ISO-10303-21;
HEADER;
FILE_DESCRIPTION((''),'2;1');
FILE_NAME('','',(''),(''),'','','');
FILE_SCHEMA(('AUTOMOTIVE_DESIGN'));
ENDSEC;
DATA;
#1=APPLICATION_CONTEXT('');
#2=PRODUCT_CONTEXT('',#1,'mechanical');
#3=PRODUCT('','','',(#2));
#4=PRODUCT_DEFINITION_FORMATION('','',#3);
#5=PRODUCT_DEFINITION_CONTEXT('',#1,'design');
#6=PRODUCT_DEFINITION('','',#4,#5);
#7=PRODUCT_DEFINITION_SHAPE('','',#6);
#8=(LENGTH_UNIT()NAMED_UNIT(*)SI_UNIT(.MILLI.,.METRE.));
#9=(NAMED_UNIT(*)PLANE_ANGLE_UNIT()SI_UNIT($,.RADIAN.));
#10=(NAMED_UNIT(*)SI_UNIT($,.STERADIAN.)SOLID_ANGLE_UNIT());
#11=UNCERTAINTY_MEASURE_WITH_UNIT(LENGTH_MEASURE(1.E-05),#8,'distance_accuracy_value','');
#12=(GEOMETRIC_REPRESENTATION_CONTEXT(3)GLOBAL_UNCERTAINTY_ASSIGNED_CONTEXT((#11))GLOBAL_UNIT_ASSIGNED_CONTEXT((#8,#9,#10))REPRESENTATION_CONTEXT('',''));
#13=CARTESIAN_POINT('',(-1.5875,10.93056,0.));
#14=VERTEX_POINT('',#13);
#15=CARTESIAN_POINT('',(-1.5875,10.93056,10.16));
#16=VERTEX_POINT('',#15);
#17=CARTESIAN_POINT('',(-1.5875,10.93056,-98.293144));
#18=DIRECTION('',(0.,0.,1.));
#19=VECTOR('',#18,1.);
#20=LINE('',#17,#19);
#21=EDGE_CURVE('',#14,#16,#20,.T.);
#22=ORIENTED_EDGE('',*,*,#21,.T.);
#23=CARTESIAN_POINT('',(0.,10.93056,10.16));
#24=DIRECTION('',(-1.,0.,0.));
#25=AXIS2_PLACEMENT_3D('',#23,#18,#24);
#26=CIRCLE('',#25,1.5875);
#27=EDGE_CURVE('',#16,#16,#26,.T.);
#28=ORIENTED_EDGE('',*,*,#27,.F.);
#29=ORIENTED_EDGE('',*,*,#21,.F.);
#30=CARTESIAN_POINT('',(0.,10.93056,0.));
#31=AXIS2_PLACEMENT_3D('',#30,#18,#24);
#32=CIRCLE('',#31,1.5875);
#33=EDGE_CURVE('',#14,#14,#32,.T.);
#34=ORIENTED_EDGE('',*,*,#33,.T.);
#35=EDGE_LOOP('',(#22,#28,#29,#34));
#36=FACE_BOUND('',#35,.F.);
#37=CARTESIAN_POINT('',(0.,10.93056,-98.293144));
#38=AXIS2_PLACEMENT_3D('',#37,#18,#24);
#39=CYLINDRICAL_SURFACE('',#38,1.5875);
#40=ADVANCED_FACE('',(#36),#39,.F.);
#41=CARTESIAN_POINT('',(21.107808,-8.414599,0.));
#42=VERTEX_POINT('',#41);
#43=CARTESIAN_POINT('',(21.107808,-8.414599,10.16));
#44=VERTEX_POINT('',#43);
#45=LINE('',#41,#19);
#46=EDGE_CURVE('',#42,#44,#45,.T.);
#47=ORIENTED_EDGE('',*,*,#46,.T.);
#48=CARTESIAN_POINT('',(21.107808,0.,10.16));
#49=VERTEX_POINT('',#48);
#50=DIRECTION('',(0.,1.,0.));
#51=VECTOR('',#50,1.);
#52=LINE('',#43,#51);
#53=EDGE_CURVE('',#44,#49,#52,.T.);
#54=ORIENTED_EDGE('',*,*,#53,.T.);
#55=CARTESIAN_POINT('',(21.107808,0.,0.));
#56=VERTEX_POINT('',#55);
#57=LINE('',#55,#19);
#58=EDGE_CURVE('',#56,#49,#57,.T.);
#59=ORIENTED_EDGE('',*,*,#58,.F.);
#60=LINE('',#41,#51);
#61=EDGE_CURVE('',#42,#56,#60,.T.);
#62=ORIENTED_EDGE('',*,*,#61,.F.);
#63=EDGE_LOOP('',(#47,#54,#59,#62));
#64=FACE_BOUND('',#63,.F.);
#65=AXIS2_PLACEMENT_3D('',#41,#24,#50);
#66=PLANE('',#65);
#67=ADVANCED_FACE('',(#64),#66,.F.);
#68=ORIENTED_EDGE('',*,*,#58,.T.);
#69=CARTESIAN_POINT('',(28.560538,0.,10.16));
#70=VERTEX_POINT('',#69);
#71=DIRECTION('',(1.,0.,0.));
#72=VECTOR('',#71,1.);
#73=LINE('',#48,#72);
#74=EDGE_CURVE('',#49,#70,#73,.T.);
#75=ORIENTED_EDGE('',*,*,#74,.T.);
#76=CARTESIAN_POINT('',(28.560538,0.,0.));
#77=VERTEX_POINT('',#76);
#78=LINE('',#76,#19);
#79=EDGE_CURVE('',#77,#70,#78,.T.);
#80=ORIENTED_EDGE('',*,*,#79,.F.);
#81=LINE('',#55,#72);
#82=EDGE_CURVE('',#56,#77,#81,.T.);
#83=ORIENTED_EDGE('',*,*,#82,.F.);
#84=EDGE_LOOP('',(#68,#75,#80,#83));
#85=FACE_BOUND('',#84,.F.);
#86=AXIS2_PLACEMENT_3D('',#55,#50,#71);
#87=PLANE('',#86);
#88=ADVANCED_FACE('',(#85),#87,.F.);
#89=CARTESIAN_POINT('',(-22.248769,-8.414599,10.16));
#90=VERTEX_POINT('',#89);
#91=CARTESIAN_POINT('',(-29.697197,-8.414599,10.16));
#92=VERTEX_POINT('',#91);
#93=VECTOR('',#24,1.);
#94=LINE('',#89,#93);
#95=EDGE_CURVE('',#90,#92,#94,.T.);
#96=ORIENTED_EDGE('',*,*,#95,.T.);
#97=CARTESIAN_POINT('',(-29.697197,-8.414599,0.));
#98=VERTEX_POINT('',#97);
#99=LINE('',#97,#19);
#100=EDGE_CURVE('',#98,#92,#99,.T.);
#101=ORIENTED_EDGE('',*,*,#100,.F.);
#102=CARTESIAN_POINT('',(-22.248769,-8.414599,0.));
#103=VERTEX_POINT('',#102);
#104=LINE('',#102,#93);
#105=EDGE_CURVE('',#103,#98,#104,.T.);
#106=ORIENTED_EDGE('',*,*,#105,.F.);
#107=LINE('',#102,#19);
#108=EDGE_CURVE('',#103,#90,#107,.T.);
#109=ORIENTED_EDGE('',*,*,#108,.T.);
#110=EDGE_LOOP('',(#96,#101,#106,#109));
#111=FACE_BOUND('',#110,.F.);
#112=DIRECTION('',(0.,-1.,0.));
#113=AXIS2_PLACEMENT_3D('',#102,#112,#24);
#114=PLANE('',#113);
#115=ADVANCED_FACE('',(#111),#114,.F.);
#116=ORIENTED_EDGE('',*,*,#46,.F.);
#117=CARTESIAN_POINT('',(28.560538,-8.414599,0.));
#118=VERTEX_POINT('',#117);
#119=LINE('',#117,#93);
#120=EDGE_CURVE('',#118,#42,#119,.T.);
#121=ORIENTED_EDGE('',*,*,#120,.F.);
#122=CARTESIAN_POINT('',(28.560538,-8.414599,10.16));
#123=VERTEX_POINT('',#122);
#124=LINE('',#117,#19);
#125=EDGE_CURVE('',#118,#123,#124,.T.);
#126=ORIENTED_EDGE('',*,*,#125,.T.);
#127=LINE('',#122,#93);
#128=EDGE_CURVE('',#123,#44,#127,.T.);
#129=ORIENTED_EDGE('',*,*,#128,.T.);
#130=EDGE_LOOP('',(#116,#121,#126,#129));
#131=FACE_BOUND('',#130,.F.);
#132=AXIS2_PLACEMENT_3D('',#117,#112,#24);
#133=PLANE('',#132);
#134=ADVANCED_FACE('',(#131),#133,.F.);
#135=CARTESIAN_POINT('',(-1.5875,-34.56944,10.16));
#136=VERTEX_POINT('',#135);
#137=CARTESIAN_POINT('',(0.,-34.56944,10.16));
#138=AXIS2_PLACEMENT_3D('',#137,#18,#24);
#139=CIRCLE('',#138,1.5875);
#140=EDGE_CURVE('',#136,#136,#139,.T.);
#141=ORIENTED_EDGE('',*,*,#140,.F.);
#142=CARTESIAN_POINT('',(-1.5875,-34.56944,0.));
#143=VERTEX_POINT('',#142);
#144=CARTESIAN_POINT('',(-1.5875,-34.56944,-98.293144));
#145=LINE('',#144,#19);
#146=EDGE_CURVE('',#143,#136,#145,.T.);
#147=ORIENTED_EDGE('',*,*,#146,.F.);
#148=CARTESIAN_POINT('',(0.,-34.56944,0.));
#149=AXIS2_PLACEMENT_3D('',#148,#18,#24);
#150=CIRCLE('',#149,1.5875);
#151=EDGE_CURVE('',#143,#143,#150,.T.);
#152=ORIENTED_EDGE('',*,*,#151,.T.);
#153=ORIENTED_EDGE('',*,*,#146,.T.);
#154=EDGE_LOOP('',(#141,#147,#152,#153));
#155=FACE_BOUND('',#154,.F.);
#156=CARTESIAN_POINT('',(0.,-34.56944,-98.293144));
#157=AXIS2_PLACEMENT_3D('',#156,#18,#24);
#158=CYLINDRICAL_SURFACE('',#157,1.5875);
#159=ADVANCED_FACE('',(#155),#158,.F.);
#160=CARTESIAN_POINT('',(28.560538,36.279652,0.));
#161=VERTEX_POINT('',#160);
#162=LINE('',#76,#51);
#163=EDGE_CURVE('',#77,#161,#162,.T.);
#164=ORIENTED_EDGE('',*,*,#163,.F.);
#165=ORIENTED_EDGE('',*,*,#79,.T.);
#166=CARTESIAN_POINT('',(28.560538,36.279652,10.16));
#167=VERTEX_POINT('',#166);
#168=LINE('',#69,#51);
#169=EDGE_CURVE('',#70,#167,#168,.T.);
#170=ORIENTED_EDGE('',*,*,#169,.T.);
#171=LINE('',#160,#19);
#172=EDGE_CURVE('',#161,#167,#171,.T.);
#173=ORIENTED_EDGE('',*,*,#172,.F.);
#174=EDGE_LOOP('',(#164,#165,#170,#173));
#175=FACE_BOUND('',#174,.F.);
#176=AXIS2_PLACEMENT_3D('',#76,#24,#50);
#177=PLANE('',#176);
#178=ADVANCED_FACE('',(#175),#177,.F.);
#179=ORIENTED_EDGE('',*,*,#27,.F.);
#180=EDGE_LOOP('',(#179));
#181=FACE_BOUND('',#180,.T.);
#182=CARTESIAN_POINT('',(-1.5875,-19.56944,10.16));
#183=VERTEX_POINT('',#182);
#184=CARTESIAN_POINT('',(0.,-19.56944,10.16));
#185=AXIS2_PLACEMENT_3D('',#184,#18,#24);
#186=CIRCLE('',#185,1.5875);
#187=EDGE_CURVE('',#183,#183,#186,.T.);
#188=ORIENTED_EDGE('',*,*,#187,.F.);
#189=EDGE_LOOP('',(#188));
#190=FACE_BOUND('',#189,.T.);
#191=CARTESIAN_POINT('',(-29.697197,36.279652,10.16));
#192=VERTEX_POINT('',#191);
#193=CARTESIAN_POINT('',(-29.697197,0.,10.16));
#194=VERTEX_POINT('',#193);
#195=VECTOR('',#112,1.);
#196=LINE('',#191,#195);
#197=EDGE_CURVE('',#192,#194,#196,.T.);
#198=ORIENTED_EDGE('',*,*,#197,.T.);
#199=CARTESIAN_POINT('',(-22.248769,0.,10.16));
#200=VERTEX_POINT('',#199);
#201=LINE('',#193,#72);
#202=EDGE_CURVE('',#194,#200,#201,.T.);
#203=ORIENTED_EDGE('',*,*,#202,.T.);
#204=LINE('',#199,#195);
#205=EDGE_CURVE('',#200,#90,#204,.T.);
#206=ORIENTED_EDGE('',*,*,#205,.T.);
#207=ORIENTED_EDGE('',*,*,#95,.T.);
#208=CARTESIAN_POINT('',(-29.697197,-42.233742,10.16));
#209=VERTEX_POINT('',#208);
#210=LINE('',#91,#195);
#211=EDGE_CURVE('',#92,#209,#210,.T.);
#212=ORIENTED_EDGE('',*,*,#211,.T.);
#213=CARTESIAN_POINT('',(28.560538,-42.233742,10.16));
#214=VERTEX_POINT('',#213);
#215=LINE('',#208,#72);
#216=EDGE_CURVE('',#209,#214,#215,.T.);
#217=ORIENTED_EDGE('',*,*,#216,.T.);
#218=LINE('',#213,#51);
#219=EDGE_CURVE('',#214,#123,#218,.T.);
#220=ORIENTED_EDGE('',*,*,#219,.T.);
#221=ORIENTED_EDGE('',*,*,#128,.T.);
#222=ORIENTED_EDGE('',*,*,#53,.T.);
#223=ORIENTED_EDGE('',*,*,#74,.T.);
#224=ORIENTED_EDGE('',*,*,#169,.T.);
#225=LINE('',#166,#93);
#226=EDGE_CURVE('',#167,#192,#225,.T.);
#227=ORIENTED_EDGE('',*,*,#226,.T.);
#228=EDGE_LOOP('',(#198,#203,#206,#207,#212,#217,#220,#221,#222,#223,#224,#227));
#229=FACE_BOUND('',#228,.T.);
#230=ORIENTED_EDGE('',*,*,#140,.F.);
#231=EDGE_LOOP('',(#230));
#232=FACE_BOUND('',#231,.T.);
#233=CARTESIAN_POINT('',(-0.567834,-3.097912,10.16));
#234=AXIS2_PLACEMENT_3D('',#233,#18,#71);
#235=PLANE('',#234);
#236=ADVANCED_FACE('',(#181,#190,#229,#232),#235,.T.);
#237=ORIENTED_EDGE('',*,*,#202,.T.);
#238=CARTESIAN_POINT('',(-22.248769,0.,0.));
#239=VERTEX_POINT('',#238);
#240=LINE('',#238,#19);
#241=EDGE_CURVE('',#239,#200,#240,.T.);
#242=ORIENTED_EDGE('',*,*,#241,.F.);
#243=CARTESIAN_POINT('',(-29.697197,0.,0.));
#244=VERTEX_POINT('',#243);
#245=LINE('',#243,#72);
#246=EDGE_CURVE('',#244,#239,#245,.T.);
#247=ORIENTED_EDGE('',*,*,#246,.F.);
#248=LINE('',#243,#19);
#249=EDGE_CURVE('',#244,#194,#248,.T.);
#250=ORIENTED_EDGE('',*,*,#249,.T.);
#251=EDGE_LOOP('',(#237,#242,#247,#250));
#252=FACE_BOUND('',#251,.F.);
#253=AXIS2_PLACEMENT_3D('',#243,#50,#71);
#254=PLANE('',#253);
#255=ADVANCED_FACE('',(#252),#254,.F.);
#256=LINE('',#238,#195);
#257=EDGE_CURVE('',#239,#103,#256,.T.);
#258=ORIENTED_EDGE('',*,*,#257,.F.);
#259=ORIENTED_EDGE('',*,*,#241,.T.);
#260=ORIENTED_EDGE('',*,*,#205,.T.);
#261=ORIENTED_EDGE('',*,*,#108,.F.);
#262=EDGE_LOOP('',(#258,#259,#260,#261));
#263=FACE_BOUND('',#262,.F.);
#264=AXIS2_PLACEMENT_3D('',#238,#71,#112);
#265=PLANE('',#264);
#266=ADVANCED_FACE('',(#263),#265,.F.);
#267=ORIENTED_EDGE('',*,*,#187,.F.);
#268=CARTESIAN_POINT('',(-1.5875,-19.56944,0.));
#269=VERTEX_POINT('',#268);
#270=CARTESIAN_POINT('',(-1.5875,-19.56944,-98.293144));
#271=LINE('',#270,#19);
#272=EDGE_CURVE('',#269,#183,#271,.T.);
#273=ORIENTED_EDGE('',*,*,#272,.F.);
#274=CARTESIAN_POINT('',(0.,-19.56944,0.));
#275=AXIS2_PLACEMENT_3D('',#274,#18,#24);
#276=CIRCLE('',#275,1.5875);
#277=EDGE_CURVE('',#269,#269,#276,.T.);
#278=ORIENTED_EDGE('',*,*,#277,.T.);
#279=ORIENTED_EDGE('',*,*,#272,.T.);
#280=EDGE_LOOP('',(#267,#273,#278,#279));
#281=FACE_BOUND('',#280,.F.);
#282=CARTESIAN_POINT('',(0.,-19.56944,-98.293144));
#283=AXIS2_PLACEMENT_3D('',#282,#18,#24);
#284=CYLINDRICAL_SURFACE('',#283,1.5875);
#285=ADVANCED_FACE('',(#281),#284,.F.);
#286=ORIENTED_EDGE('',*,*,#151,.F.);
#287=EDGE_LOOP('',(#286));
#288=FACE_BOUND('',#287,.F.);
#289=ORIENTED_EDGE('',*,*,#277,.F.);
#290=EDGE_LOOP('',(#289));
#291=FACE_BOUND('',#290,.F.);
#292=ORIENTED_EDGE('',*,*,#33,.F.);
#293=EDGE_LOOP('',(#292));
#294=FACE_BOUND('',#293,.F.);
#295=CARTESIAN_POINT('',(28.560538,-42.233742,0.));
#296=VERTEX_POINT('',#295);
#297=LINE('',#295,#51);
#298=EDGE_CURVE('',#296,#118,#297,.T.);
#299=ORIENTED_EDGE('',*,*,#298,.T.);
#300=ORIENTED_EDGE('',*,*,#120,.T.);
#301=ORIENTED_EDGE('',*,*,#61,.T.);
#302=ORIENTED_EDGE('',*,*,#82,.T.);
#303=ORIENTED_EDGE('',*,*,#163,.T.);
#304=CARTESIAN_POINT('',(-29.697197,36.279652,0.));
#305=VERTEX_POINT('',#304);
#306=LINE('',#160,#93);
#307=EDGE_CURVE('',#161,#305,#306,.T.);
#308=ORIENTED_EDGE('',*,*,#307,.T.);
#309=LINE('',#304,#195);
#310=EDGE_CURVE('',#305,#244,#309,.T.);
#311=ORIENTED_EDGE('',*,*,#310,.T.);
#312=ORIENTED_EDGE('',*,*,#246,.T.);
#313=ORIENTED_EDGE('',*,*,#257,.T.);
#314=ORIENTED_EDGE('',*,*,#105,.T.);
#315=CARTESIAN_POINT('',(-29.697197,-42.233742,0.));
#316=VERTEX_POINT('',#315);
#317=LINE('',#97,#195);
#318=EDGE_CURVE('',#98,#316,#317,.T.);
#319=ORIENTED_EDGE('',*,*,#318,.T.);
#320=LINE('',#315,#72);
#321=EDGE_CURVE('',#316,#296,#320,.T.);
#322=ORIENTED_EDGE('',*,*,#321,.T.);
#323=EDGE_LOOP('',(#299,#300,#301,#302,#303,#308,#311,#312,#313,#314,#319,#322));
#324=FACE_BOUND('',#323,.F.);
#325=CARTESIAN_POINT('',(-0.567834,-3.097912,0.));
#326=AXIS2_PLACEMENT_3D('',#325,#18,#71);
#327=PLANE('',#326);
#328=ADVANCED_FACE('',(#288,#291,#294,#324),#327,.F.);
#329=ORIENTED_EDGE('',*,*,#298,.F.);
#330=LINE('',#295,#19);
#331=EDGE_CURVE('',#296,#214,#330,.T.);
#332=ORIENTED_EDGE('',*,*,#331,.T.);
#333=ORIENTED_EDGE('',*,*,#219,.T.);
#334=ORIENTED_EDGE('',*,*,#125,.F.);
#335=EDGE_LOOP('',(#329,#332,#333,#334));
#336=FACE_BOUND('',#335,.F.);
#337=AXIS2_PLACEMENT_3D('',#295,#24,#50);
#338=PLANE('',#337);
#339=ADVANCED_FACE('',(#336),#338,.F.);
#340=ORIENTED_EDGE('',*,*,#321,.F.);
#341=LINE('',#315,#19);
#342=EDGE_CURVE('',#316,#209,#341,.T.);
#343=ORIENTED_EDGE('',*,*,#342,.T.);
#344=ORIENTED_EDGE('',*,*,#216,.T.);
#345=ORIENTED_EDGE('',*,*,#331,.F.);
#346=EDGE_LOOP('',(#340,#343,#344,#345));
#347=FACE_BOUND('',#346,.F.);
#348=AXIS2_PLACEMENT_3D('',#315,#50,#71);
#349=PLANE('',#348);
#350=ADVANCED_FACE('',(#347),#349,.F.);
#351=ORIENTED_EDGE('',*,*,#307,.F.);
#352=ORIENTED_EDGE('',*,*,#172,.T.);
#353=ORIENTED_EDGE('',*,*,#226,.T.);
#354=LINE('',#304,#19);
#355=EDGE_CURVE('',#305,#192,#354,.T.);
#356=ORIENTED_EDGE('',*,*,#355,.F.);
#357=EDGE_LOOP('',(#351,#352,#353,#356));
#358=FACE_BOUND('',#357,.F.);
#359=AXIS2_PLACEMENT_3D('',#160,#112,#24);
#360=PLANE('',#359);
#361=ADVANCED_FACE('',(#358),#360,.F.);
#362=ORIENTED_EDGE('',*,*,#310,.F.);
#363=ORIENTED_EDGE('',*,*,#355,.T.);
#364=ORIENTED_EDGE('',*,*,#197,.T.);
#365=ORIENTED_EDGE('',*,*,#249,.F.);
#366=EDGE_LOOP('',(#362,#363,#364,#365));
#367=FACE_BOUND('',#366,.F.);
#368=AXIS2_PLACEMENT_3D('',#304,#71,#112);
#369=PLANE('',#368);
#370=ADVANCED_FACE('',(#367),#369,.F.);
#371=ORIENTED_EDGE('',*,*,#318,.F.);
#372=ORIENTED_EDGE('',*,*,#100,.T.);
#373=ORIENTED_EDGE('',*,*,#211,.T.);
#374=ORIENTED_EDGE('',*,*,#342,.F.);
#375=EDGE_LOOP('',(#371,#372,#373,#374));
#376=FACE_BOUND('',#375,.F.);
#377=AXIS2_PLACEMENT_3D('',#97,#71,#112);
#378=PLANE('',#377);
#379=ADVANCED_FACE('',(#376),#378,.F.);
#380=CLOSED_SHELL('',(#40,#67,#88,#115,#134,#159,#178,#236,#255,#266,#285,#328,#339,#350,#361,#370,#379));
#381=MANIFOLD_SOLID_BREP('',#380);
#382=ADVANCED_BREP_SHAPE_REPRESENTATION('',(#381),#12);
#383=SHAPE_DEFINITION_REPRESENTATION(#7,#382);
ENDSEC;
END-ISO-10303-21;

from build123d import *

# Parameters (mm, degrees)
F1_DEPTH = 10.16
F2_D     = 3.175
F3_D     = 3.175
F4_D     = 3.175


with BuildPart() as f1:
    # F0 (on Top) → F1 (new body)
    with BuildSketch(Plane.XY):
        Polygon((28.5605379663, 36.279651515), (-29.6971968522, 36.279651515), (-29.6971968522, 0), (-22.248769179, 0), (-22.248769179, -8.4145991132), (-29.6971968522, -8.4145991132), (-29.6971968522, -42.2337416008), (28.5605379663, -42.2337416008), (28.5605379663, -8.4145991132), (21.1078077555, -8.4145991132), (21.1078077555, 0), (28.5605379663, 0), align=None)
    extrude(amount=F1_DEPTH)

    # F2 (through all)
    with Locations(Plane(origin=(0, 0, 0), x_dir=(1, 0, 0), z_dir=(0, 0, -1))):
        with Locations((0, -10.9305603428)):
            Hole(F2_D / 2)

    # F3 (through all)
    with Locations(Plane(origin=(0, 0, 0), x_dir=(1, 0, 0), z_dir=(0, 0, -1))):
        with Locations((0, 19.5694396572)):
            Hole(F3_D / 2)

    # F4 (through all)
    with Locations(Plane(origin=(0, 0, 0), x_dir=(1, 0, 0), z_dir=(0, 0, -1))):
        with Locations((0, 34.5694396572)):
            Hole(F4_D / 2)


solid = f1.part
